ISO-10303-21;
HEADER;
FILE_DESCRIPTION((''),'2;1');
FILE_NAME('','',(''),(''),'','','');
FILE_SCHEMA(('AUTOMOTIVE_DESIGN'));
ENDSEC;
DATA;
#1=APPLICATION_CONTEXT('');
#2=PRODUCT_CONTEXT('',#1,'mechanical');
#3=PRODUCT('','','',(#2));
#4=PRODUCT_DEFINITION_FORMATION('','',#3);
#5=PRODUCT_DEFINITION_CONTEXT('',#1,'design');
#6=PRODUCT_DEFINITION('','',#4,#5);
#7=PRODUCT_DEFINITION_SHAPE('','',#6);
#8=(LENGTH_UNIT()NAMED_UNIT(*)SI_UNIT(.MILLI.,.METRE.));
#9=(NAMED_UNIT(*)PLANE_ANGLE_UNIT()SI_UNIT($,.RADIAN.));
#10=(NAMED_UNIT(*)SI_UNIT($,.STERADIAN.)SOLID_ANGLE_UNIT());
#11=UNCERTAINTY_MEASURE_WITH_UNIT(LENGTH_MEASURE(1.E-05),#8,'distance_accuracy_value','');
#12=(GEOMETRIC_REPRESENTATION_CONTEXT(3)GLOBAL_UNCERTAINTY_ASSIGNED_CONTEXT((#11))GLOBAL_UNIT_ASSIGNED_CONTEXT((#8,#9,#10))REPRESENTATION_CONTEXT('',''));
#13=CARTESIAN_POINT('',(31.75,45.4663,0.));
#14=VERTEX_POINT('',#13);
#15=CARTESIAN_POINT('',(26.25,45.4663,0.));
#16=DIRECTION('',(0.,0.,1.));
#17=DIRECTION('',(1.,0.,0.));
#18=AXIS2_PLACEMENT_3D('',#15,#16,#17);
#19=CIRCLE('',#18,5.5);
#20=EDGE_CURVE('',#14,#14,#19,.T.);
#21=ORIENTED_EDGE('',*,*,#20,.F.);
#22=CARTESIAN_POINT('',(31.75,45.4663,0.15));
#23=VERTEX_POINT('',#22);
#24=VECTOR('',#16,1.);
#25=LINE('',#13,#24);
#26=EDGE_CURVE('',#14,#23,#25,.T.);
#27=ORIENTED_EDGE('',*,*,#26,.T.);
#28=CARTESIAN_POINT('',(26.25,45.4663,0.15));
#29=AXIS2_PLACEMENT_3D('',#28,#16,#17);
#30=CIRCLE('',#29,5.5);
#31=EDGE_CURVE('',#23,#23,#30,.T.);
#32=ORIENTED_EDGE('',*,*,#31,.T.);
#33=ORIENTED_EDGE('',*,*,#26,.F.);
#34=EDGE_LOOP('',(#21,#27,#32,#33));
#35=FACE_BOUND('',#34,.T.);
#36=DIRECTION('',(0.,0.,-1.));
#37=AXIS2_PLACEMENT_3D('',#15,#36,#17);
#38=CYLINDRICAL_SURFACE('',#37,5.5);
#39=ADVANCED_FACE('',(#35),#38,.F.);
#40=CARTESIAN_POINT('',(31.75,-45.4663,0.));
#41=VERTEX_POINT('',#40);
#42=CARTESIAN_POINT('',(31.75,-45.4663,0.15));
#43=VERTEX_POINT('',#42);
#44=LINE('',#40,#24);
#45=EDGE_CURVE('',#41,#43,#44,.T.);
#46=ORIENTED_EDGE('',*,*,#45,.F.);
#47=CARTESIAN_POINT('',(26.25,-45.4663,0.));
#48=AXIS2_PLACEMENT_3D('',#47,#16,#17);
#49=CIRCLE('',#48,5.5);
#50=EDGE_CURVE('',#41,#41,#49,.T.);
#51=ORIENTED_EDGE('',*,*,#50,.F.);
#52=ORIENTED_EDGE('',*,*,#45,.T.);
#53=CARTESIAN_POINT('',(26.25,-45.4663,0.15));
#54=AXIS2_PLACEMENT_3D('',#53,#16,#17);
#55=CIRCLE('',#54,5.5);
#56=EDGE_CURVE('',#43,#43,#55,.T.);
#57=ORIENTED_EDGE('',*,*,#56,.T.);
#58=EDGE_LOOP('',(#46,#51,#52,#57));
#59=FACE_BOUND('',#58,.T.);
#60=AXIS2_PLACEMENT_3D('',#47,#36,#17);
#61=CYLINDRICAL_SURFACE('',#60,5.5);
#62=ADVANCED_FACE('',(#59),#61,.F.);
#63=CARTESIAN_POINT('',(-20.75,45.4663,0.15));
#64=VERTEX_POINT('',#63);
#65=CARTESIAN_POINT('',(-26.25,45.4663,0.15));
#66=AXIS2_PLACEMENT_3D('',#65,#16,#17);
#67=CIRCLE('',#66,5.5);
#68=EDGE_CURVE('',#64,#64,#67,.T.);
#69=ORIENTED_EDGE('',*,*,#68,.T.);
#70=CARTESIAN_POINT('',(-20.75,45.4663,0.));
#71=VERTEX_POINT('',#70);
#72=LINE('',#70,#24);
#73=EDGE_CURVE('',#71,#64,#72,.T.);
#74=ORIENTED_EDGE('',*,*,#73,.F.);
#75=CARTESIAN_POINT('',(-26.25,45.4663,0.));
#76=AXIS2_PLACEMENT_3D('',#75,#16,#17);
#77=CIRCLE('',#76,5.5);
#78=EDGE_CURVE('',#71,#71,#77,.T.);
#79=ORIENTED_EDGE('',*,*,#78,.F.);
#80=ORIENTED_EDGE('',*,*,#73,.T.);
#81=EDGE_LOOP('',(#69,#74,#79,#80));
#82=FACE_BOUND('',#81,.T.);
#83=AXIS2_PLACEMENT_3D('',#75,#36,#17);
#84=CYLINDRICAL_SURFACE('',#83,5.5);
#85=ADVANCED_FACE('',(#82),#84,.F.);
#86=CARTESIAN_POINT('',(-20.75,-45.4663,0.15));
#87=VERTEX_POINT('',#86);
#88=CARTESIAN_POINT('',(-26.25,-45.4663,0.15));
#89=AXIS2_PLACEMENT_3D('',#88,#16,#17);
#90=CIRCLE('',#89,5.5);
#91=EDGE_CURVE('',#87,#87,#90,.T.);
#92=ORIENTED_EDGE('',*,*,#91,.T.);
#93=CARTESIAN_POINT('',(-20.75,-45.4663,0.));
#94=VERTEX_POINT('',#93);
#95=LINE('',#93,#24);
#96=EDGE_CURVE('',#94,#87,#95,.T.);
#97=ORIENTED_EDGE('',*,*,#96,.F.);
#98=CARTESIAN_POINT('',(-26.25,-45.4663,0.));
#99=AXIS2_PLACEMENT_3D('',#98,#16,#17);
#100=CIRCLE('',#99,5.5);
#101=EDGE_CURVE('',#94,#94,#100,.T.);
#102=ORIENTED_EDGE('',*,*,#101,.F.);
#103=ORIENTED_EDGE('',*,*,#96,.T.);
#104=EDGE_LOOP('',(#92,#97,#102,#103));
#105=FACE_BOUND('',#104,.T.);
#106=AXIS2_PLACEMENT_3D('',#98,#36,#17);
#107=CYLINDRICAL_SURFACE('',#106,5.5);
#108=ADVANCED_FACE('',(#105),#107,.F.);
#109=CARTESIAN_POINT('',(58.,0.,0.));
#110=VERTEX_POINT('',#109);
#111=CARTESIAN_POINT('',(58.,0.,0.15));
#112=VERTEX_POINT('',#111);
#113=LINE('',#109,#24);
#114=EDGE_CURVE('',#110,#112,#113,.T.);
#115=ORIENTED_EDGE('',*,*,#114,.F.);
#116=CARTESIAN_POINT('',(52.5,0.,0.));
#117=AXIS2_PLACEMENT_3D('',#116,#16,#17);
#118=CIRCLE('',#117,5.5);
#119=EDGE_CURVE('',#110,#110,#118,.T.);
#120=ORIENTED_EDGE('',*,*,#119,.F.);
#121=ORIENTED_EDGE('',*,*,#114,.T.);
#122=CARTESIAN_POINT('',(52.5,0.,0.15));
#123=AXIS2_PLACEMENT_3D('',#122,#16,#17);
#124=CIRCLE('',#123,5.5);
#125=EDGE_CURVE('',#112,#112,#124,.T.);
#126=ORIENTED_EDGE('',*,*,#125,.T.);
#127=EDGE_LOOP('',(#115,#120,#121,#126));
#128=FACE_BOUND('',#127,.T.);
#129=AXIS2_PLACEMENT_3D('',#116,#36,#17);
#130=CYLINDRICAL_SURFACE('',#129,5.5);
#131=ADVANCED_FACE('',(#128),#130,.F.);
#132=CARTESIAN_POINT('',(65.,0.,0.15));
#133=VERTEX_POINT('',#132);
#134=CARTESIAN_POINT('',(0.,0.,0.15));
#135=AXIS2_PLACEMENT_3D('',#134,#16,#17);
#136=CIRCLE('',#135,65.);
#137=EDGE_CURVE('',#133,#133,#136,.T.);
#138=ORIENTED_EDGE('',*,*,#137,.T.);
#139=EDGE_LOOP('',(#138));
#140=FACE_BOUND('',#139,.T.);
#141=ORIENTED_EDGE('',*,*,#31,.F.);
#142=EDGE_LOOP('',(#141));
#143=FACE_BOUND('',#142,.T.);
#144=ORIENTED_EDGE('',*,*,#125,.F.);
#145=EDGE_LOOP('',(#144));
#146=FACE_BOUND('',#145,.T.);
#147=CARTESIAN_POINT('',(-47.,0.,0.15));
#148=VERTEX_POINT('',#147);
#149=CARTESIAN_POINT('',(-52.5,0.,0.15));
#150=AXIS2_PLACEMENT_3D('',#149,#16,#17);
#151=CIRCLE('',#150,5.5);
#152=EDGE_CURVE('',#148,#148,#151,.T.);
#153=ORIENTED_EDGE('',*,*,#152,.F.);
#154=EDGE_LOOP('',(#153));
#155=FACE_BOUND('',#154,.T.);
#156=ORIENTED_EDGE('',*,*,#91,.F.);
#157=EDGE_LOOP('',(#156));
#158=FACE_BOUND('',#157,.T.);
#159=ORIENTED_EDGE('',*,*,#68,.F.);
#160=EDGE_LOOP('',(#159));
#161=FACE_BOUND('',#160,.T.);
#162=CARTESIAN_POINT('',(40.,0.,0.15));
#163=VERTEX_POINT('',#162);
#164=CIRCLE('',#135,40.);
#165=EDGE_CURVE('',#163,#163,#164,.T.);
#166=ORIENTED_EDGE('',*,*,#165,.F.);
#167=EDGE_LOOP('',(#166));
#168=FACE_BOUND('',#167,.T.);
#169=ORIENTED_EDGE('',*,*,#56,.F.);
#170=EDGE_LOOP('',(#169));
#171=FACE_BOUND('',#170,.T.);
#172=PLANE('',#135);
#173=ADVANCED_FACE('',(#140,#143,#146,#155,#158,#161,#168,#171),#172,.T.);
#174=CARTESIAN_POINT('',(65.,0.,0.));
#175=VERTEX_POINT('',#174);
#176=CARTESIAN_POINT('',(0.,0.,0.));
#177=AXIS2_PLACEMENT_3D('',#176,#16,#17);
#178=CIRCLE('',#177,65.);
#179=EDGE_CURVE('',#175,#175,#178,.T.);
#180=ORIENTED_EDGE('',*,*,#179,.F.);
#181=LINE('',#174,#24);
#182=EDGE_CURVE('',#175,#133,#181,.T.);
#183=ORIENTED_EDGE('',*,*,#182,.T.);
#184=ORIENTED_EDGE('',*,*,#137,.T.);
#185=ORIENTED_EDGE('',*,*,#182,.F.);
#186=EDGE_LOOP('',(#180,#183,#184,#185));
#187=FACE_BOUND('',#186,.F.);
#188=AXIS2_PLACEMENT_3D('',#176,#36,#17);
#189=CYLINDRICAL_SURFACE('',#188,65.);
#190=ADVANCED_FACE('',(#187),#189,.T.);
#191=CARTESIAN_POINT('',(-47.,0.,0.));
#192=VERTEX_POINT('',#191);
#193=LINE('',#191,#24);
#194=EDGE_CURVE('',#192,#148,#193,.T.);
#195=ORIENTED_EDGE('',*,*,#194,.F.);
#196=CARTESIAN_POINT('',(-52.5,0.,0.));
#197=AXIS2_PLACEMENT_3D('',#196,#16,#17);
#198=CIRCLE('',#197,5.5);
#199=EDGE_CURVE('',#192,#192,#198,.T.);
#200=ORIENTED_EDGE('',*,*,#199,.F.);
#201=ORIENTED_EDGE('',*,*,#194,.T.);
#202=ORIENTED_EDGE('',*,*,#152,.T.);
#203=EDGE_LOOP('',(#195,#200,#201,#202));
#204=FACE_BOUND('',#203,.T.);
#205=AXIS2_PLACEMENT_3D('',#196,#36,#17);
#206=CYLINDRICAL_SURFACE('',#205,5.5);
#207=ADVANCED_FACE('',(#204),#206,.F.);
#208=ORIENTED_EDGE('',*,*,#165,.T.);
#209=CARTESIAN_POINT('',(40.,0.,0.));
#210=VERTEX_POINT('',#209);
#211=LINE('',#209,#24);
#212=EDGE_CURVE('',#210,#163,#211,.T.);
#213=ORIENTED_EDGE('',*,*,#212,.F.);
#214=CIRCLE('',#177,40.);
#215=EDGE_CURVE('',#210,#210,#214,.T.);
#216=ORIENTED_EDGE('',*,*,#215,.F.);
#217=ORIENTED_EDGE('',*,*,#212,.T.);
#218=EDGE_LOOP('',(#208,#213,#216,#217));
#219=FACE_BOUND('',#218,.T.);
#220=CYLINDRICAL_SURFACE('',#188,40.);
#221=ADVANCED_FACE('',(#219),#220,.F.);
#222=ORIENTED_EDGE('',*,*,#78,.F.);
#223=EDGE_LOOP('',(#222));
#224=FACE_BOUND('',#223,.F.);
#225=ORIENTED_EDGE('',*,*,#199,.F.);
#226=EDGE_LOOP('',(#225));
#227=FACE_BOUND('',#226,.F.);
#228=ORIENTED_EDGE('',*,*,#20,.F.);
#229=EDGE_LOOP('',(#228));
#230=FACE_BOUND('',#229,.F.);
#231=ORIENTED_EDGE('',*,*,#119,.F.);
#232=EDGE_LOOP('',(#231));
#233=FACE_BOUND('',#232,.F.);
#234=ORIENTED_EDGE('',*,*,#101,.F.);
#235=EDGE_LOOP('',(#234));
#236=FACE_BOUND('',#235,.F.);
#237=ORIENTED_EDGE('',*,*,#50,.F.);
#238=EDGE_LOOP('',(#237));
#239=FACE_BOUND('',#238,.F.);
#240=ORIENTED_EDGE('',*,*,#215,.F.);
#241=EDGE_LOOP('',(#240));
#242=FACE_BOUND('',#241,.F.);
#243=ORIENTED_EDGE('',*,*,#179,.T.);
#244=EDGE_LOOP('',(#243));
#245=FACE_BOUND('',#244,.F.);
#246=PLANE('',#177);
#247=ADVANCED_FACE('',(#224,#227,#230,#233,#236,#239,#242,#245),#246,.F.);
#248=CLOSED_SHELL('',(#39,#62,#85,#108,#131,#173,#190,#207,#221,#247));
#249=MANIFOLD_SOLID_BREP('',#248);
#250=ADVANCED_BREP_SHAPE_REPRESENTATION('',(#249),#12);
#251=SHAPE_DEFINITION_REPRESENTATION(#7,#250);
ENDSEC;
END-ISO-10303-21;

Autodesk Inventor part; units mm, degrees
ref_plane "YZ Plane" through (0, 0, 0) normal (1, 0, 0) x (0, 1, 0)
ref_plane "XZ Plane" through (0, 0, 0) normal (0, 1, 0) x (-1, 0, 0)
ref_plane "工作平面1" through (0, 0, 0) normal (0, 0, 1) x (1, 0, 0)
sketch "草图1" plane through (0, 0, 0) normal (0, 0, 1) x (1, 0, 0)
  circle A0 centre (0, 0) radius 40 projected
  circle A1 centre (0, 0) radius 65 projected
  circle A2 centre (-26.25, -45.4663) radius 5.5 projected
  circle A3 centre (-26.25, 45.4663) radius 5.5 projected
  circle A4 centre (26.25, -45.4663) radius 5.5 projected
  circle A5 centre (52.5, 0) radius 5.5 projected
  circle A6 centre (-52.5, 0) radius 5.5 projected
  circle A7 centre (26.25, 45.4663) radius 5.5 projected
  point P0 (0, 0)
extrude "拉伸1" add sketch "草图1" along normal blind 0.15
properties part number "垫片1"
